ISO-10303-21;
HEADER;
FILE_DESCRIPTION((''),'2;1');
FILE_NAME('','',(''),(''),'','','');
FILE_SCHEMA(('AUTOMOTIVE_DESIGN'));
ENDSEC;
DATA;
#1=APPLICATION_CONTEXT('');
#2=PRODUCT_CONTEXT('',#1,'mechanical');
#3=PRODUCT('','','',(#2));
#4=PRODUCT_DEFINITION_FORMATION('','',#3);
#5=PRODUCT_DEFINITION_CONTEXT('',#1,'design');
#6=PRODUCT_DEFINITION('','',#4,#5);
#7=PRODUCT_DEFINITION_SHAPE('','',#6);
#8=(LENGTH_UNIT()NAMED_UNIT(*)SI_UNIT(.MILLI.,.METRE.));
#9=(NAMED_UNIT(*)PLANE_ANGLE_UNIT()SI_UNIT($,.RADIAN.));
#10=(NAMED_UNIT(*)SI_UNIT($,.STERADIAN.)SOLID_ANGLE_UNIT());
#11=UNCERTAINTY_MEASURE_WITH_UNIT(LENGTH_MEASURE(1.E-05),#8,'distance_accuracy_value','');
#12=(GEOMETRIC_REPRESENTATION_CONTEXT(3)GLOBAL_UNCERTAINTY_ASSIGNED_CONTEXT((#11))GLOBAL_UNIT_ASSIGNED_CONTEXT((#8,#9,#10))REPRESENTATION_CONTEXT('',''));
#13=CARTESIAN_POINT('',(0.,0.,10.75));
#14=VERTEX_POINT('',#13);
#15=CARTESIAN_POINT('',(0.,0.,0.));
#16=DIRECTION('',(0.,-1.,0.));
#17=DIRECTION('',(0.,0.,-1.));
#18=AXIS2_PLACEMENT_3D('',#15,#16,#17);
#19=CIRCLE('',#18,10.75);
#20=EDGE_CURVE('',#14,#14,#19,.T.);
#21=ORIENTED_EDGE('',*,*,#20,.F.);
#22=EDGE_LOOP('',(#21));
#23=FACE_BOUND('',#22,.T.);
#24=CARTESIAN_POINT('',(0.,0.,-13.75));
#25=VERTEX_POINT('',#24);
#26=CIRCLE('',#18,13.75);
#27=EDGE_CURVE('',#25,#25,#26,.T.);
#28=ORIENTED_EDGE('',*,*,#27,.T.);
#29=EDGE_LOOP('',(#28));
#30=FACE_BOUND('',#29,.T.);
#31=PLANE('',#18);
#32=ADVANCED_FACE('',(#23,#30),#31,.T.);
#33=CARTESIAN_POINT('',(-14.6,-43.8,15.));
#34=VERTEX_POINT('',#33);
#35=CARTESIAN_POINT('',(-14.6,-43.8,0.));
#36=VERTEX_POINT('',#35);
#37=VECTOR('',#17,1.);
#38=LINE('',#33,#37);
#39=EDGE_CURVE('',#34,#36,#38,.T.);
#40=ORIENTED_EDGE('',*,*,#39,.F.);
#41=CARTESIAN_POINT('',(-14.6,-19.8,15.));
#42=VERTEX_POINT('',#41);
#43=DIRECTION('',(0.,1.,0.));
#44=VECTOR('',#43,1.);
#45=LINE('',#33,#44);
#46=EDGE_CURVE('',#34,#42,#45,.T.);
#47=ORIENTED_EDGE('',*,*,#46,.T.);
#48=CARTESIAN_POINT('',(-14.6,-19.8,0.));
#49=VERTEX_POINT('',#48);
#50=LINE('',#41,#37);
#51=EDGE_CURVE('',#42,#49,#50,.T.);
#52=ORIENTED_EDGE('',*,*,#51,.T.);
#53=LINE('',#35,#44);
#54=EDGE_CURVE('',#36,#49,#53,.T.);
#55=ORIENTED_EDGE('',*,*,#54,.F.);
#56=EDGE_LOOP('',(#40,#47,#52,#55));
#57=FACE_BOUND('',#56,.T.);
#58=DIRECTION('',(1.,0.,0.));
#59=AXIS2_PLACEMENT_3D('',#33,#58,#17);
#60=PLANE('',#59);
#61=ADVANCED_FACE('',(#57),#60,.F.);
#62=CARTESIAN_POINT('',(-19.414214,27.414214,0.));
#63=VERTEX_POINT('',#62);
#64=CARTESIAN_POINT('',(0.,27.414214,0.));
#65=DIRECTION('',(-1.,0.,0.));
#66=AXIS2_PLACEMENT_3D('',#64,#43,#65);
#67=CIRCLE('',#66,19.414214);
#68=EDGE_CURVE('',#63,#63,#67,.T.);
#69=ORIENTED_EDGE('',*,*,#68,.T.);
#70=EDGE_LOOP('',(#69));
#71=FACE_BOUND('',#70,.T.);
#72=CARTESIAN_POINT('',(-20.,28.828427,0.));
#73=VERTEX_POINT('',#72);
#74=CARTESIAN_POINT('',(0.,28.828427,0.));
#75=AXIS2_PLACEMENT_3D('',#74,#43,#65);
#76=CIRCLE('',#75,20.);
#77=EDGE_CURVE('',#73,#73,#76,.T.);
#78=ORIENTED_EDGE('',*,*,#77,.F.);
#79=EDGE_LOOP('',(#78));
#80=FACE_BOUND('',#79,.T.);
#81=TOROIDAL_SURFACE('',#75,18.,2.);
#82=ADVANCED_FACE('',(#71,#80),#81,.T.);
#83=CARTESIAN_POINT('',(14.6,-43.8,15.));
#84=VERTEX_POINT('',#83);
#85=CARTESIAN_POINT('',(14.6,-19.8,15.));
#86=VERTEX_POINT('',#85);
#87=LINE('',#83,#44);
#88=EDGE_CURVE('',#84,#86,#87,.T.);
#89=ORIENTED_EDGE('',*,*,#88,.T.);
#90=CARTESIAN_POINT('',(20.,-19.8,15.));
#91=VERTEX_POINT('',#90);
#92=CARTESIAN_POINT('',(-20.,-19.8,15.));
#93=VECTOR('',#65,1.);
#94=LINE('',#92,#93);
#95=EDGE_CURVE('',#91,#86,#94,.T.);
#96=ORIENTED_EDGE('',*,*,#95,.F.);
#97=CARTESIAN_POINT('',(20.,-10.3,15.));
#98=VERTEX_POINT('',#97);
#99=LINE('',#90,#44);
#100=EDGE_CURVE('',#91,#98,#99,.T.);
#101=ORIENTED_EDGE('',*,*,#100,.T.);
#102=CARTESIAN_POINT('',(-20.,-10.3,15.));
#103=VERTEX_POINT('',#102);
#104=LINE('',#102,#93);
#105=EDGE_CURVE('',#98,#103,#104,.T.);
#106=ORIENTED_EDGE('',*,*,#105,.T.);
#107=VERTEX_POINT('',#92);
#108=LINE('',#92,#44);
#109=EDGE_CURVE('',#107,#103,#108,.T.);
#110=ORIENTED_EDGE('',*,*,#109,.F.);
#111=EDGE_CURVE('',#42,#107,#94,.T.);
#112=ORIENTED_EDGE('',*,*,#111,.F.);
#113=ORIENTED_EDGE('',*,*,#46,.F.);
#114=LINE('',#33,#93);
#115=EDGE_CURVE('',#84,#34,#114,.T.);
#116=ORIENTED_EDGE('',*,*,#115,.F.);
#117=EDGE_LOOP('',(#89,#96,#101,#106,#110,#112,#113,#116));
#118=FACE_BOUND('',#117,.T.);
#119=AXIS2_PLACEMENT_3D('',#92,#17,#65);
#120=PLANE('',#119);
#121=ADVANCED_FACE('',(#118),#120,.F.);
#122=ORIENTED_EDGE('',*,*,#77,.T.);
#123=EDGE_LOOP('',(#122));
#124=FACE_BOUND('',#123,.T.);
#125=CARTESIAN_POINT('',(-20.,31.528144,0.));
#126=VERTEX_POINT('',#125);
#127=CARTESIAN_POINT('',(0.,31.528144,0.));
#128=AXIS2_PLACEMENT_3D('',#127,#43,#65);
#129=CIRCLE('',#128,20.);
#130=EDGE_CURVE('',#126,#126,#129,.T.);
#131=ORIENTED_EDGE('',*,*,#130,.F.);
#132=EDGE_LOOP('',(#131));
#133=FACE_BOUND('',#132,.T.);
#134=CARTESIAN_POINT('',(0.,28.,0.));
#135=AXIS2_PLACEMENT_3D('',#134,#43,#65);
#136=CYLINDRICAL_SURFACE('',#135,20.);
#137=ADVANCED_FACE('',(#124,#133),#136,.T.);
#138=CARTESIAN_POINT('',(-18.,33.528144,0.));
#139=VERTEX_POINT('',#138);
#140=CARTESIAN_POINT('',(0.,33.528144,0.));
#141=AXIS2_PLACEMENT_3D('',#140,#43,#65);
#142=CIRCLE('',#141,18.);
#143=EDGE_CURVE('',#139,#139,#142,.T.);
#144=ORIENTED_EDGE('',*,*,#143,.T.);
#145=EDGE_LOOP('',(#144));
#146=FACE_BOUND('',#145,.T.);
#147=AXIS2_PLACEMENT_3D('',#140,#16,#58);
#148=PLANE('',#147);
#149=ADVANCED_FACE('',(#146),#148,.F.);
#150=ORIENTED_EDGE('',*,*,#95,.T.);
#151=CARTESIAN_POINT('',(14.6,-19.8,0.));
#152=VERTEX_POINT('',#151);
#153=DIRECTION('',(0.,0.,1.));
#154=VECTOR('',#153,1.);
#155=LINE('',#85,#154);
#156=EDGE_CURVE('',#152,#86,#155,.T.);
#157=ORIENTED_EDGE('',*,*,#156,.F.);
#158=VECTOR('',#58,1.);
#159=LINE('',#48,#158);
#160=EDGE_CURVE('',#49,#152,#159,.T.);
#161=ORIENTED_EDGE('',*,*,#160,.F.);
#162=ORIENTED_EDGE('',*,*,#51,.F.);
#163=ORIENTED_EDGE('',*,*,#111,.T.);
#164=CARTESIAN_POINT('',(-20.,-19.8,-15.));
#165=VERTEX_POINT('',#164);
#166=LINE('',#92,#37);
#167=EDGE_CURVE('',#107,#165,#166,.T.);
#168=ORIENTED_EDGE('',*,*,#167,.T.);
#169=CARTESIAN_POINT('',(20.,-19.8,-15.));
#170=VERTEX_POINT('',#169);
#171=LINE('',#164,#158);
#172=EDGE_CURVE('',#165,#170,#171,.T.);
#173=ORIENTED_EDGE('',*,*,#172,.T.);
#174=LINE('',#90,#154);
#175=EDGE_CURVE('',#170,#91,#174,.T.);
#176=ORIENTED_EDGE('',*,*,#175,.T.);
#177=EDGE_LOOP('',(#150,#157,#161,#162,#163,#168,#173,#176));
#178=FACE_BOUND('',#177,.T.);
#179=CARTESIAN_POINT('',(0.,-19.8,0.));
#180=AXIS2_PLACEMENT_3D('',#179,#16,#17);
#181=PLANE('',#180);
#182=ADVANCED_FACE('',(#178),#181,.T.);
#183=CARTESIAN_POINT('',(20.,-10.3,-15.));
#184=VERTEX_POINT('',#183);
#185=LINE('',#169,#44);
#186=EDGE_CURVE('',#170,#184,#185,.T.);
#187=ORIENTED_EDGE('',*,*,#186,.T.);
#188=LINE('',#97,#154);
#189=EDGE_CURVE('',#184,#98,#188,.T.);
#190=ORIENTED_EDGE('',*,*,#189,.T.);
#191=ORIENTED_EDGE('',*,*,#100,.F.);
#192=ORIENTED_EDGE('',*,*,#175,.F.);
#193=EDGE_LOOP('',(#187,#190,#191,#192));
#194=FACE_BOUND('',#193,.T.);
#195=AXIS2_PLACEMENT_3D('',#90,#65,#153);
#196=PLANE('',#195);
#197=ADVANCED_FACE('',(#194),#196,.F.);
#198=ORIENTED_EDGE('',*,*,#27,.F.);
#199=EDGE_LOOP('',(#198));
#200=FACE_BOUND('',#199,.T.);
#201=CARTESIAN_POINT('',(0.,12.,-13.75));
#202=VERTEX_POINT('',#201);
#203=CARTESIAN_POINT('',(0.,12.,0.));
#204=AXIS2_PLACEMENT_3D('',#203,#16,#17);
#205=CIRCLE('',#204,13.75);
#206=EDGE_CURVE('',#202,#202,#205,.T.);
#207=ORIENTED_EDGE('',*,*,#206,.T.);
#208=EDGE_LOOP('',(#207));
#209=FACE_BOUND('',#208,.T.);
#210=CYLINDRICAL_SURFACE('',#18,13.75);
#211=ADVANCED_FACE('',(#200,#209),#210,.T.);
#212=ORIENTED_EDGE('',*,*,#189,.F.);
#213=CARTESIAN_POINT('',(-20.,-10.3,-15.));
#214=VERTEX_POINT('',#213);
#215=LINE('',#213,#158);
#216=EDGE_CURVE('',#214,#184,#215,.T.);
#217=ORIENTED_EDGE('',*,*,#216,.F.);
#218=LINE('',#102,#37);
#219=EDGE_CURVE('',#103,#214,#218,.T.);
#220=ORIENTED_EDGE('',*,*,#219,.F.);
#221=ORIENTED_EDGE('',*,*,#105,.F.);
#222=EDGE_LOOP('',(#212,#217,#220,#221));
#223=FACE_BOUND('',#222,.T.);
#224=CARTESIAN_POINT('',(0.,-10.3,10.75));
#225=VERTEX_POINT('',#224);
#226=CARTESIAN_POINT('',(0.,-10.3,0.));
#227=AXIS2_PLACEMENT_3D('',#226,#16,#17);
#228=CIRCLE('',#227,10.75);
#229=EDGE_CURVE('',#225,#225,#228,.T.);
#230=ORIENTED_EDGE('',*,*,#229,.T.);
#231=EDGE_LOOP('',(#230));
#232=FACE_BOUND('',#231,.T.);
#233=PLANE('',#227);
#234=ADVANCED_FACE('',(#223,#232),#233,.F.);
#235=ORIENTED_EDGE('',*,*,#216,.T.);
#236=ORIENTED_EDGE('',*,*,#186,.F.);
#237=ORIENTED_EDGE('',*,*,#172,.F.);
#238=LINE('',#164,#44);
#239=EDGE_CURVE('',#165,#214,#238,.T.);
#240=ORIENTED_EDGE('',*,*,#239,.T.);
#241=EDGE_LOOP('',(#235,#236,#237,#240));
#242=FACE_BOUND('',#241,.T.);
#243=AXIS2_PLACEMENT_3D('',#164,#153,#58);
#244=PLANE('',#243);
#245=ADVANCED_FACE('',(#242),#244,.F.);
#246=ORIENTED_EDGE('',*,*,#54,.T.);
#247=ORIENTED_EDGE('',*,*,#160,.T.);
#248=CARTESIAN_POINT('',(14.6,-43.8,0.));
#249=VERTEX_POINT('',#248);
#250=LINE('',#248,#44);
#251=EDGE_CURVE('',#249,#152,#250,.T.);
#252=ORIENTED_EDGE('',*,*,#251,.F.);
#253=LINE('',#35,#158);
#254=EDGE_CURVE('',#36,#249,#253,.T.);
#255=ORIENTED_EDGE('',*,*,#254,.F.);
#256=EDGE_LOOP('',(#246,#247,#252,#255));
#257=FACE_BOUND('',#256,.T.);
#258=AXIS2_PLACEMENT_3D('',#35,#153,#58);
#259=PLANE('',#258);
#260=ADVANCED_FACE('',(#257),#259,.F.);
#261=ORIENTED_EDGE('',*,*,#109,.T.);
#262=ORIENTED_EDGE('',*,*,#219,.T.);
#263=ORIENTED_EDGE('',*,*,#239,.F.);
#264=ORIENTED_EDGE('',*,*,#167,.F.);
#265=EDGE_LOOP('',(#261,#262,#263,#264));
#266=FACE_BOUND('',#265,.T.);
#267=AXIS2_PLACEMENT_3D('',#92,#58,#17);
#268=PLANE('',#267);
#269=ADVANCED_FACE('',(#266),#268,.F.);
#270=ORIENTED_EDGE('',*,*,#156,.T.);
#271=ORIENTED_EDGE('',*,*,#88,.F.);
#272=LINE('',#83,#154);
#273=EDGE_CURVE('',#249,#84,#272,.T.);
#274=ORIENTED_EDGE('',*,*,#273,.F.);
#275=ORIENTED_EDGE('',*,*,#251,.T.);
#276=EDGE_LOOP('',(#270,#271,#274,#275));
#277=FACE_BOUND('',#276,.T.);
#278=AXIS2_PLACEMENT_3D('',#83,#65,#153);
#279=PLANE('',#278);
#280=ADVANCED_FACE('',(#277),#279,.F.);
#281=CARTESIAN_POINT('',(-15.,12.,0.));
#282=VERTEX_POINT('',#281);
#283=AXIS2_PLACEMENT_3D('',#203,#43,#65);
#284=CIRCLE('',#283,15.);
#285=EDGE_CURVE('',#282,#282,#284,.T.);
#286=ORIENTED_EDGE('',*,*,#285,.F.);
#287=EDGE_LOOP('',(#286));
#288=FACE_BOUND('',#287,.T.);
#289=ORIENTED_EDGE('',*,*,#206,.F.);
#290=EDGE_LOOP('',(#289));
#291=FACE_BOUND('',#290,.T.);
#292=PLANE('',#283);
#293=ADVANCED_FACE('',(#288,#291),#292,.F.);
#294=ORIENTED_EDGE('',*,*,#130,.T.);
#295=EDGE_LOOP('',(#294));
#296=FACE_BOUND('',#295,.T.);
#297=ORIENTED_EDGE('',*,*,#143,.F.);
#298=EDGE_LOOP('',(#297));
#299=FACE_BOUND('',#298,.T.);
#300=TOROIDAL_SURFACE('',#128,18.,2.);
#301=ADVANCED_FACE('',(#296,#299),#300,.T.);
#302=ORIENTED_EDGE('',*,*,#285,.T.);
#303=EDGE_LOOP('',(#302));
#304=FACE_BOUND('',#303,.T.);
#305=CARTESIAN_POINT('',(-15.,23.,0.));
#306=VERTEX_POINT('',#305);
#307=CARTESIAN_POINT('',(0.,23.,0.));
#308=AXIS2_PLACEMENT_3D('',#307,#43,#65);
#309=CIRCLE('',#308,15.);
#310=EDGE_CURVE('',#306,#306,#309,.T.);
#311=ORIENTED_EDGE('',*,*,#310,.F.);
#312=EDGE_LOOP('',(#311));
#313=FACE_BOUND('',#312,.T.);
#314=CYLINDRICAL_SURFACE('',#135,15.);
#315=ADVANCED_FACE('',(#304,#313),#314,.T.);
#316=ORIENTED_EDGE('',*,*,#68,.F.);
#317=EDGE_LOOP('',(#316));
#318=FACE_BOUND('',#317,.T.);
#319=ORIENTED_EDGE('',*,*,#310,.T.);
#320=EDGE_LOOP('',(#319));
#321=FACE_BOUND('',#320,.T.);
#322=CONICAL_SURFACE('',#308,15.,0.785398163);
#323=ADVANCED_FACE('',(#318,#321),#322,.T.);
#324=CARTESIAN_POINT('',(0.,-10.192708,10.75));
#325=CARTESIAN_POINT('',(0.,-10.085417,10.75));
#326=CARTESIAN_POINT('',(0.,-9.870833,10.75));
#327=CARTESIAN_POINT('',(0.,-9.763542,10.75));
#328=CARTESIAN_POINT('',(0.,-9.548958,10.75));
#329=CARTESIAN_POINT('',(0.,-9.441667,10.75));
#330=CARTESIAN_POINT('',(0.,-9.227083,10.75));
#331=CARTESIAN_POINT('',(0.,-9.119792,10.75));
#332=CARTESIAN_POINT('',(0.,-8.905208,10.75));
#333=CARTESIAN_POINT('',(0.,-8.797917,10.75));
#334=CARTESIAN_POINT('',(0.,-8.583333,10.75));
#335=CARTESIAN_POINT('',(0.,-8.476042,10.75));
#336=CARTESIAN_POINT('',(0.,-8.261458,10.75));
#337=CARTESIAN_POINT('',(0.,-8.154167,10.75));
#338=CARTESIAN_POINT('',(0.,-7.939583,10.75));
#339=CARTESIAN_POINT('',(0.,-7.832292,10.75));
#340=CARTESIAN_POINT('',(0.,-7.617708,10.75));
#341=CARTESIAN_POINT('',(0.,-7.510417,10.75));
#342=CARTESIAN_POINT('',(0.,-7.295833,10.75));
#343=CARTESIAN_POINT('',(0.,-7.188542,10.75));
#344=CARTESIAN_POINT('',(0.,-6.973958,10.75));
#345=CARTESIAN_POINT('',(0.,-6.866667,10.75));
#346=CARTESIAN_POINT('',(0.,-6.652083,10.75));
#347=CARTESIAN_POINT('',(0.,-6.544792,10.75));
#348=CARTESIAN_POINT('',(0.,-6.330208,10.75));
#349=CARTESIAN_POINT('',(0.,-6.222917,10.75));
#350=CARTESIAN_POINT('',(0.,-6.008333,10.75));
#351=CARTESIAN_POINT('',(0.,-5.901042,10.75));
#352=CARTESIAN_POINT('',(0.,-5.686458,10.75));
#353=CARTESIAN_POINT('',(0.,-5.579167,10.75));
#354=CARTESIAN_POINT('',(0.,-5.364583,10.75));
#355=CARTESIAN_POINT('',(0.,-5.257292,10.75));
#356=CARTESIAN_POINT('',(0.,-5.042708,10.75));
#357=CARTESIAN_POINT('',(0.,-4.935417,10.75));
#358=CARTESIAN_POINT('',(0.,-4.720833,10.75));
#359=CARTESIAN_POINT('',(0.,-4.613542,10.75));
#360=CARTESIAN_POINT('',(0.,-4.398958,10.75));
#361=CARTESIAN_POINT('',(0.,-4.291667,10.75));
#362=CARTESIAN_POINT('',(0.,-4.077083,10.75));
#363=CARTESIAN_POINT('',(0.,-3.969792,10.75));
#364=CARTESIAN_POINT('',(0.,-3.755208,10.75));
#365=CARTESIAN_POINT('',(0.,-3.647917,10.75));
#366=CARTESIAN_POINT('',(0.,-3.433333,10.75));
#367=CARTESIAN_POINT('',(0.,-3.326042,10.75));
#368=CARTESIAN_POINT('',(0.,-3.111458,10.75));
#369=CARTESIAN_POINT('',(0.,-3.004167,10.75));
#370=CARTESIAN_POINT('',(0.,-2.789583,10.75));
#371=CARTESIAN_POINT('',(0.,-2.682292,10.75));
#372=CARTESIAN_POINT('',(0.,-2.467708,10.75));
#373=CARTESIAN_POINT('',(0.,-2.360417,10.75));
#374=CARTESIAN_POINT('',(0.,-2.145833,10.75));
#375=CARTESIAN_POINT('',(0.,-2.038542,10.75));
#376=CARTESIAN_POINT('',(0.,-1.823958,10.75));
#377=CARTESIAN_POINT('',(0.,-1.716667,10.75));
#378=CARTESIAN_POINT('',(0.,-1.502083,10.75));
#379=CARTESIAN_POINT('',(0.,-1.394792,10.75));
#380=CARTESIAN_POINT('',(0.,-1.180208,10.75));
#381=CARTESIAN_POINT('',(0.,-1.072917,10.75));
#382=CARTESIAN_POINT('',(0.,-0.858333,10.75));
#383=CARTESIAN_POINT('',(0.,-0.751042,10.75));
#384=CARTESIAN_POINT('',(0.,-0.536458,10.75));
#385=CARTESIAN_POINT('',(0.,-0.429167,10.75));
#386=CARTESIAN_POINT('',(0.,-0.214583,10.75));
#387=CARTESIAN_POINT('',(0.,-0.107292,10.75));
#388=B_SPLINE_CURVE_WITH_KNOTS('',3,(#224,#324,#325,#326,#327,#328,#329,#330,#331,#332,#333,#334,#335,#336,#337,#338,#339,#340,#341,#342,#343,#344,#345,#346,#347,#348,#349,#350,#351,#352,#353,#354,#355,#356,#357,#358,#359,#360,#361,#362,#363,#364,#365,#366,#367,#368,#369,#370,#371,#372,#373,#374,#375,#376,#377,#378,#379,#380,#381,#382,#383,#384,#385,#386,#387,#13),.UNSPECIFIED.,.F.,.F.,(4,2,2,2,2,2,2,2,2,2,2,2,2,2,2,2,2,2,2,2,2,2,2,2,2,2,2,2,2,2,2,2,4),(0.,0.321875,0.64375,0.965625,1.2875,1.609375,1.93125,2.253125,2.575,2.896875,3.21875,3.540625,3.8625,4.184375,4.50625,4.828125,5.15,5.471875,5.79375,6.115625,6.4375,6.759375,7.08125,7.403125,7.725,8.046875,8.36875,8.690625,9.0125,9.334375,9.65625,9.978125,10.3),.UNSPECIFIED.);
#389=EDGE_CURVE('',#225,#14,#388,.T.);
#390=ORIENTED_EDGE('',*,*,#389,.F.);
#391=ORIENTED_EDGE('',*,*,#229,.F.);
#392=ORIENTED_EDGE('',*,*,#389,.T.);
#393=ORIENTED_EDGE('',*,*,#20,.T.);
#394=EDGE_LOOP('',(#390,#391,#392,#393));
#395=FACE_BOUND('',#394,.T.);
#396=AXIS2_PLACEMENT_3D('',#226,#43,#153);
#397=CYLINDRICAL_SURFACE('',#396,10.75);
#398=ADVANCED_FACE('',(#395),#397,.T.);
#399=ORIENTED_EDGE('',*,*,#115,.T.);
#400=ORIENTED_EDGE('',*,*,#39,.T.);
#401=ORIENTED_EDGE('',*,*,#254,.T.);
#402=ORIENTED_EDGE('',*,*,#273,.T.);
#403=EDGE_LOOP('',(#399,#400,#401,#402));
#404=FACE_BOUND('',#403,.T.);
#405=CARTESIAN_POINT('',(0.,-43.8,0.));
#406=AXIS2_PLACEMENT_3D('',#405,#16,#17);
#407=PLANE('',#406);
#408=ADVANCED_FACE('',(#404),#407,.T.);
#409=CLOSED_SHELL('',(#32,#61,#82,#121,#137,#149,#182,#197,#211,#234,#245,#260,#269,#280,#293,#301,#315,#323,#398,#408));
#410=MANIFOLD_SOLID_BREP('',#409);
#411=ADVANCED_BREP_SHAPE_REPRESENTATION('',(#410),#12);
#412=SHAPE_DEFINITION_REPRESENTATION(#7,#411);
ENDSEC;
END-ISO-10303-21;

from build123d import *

# Parameters (mm, degrees)
CROQUIS1_W              = 13.75
CROQUIS1_H              = 12
CROQUIS5_R              = 10.75
SALIENTE_EXTRUIR3_DEPTH = 10.3
CROQUIS8_W              = 40
CROQUIS8_H              = 30
SALIENTE_EXTRUIR4_DEPTH = 9.5
CROQUIS9_W              = 29.2
CROQUIS9_H              = 15
SALIENTE_EXTRUIR5_DEPTH = 24


with BuildPart() as part:
    # Croquis1 → Revolución1 (revolve)
    with BuildSketch(Plane.XY, mode=Mode.PRIVATE) as revoluci_n1_sk:
        with Locations((6.875, 6)):
            Rectangle(CROQUIS1_W, CROQUIS1_H)
    revolve(revoluci_n1_sk.sketch.rotate(Axis((0, 0, 0), (0, 1, 0)), 90), axis=Axis((0, 0, 0), (0, 1, 0)))

    # Croquis2 → Revolución2 (revolve)
    with BuildSketch(Plane.XY, mode=Mode.PRIVATE) as revoluci_n2_sk:
        with BuildLine():
            Line((0, 12), (15, 12))
            Line((15, 12), (15, 23))
            Line((15, 23), (19.414213562, 27.414213562))
            ThreePointArc((19.414213562, 27.414213562), (19.847759065, 28.06306026), (20, 28.828427125))
            Line((20, 28.828427125), (20, 31.528143579))
            ThreePointArc((20, 31.528143579), (19.414213562, 32.942357141), (18, 33.528143579))
            Line((18, 33.528143579), (0, 33.528143579))
            Line((0, 33.528143579), (0, 28))
            Line((0, 28), (0, 12))
        make_face()
    revolve(revoluci_n2_sk.sketch.rotate(Axis((0, 28, 0), (0, -1, 0)), 180), axis=Axis((0, 28, 0), (0, -1, 0)))

    # Croquis5 → Saliente-Extruir3 (add)
    with BuildSketch(Plane.XZ):
        with Locations(Location((0, 0, 0), (0, 0, 90))):
            Circle(CROQUIS5_R)
    extrude(amount=SALIENTE_EXTRUIR3_DEPTH)

    # Croquis8 → Saliente-Extruir4 (add)
    with BuildSketch(Plane.XZ.offset(10.3)):
        Rectangle(CROQUIS8_W, CROQUIS8_H)
    extrude(amount=SALIENTE_EXTRUIR4_DEPTH)

    # Croquis9 → Saliente-Extruir5 (add)
    with BuildSketch(Plane.XZ.offset(19.8)):
        with Locations((0, 7.5)):
            Rectangle(CROQUIS9_W, CROQUIS9_H)
    extrude(amount=SALIENTE_EXTRUIR5_DEPTH)


solid = part.part
